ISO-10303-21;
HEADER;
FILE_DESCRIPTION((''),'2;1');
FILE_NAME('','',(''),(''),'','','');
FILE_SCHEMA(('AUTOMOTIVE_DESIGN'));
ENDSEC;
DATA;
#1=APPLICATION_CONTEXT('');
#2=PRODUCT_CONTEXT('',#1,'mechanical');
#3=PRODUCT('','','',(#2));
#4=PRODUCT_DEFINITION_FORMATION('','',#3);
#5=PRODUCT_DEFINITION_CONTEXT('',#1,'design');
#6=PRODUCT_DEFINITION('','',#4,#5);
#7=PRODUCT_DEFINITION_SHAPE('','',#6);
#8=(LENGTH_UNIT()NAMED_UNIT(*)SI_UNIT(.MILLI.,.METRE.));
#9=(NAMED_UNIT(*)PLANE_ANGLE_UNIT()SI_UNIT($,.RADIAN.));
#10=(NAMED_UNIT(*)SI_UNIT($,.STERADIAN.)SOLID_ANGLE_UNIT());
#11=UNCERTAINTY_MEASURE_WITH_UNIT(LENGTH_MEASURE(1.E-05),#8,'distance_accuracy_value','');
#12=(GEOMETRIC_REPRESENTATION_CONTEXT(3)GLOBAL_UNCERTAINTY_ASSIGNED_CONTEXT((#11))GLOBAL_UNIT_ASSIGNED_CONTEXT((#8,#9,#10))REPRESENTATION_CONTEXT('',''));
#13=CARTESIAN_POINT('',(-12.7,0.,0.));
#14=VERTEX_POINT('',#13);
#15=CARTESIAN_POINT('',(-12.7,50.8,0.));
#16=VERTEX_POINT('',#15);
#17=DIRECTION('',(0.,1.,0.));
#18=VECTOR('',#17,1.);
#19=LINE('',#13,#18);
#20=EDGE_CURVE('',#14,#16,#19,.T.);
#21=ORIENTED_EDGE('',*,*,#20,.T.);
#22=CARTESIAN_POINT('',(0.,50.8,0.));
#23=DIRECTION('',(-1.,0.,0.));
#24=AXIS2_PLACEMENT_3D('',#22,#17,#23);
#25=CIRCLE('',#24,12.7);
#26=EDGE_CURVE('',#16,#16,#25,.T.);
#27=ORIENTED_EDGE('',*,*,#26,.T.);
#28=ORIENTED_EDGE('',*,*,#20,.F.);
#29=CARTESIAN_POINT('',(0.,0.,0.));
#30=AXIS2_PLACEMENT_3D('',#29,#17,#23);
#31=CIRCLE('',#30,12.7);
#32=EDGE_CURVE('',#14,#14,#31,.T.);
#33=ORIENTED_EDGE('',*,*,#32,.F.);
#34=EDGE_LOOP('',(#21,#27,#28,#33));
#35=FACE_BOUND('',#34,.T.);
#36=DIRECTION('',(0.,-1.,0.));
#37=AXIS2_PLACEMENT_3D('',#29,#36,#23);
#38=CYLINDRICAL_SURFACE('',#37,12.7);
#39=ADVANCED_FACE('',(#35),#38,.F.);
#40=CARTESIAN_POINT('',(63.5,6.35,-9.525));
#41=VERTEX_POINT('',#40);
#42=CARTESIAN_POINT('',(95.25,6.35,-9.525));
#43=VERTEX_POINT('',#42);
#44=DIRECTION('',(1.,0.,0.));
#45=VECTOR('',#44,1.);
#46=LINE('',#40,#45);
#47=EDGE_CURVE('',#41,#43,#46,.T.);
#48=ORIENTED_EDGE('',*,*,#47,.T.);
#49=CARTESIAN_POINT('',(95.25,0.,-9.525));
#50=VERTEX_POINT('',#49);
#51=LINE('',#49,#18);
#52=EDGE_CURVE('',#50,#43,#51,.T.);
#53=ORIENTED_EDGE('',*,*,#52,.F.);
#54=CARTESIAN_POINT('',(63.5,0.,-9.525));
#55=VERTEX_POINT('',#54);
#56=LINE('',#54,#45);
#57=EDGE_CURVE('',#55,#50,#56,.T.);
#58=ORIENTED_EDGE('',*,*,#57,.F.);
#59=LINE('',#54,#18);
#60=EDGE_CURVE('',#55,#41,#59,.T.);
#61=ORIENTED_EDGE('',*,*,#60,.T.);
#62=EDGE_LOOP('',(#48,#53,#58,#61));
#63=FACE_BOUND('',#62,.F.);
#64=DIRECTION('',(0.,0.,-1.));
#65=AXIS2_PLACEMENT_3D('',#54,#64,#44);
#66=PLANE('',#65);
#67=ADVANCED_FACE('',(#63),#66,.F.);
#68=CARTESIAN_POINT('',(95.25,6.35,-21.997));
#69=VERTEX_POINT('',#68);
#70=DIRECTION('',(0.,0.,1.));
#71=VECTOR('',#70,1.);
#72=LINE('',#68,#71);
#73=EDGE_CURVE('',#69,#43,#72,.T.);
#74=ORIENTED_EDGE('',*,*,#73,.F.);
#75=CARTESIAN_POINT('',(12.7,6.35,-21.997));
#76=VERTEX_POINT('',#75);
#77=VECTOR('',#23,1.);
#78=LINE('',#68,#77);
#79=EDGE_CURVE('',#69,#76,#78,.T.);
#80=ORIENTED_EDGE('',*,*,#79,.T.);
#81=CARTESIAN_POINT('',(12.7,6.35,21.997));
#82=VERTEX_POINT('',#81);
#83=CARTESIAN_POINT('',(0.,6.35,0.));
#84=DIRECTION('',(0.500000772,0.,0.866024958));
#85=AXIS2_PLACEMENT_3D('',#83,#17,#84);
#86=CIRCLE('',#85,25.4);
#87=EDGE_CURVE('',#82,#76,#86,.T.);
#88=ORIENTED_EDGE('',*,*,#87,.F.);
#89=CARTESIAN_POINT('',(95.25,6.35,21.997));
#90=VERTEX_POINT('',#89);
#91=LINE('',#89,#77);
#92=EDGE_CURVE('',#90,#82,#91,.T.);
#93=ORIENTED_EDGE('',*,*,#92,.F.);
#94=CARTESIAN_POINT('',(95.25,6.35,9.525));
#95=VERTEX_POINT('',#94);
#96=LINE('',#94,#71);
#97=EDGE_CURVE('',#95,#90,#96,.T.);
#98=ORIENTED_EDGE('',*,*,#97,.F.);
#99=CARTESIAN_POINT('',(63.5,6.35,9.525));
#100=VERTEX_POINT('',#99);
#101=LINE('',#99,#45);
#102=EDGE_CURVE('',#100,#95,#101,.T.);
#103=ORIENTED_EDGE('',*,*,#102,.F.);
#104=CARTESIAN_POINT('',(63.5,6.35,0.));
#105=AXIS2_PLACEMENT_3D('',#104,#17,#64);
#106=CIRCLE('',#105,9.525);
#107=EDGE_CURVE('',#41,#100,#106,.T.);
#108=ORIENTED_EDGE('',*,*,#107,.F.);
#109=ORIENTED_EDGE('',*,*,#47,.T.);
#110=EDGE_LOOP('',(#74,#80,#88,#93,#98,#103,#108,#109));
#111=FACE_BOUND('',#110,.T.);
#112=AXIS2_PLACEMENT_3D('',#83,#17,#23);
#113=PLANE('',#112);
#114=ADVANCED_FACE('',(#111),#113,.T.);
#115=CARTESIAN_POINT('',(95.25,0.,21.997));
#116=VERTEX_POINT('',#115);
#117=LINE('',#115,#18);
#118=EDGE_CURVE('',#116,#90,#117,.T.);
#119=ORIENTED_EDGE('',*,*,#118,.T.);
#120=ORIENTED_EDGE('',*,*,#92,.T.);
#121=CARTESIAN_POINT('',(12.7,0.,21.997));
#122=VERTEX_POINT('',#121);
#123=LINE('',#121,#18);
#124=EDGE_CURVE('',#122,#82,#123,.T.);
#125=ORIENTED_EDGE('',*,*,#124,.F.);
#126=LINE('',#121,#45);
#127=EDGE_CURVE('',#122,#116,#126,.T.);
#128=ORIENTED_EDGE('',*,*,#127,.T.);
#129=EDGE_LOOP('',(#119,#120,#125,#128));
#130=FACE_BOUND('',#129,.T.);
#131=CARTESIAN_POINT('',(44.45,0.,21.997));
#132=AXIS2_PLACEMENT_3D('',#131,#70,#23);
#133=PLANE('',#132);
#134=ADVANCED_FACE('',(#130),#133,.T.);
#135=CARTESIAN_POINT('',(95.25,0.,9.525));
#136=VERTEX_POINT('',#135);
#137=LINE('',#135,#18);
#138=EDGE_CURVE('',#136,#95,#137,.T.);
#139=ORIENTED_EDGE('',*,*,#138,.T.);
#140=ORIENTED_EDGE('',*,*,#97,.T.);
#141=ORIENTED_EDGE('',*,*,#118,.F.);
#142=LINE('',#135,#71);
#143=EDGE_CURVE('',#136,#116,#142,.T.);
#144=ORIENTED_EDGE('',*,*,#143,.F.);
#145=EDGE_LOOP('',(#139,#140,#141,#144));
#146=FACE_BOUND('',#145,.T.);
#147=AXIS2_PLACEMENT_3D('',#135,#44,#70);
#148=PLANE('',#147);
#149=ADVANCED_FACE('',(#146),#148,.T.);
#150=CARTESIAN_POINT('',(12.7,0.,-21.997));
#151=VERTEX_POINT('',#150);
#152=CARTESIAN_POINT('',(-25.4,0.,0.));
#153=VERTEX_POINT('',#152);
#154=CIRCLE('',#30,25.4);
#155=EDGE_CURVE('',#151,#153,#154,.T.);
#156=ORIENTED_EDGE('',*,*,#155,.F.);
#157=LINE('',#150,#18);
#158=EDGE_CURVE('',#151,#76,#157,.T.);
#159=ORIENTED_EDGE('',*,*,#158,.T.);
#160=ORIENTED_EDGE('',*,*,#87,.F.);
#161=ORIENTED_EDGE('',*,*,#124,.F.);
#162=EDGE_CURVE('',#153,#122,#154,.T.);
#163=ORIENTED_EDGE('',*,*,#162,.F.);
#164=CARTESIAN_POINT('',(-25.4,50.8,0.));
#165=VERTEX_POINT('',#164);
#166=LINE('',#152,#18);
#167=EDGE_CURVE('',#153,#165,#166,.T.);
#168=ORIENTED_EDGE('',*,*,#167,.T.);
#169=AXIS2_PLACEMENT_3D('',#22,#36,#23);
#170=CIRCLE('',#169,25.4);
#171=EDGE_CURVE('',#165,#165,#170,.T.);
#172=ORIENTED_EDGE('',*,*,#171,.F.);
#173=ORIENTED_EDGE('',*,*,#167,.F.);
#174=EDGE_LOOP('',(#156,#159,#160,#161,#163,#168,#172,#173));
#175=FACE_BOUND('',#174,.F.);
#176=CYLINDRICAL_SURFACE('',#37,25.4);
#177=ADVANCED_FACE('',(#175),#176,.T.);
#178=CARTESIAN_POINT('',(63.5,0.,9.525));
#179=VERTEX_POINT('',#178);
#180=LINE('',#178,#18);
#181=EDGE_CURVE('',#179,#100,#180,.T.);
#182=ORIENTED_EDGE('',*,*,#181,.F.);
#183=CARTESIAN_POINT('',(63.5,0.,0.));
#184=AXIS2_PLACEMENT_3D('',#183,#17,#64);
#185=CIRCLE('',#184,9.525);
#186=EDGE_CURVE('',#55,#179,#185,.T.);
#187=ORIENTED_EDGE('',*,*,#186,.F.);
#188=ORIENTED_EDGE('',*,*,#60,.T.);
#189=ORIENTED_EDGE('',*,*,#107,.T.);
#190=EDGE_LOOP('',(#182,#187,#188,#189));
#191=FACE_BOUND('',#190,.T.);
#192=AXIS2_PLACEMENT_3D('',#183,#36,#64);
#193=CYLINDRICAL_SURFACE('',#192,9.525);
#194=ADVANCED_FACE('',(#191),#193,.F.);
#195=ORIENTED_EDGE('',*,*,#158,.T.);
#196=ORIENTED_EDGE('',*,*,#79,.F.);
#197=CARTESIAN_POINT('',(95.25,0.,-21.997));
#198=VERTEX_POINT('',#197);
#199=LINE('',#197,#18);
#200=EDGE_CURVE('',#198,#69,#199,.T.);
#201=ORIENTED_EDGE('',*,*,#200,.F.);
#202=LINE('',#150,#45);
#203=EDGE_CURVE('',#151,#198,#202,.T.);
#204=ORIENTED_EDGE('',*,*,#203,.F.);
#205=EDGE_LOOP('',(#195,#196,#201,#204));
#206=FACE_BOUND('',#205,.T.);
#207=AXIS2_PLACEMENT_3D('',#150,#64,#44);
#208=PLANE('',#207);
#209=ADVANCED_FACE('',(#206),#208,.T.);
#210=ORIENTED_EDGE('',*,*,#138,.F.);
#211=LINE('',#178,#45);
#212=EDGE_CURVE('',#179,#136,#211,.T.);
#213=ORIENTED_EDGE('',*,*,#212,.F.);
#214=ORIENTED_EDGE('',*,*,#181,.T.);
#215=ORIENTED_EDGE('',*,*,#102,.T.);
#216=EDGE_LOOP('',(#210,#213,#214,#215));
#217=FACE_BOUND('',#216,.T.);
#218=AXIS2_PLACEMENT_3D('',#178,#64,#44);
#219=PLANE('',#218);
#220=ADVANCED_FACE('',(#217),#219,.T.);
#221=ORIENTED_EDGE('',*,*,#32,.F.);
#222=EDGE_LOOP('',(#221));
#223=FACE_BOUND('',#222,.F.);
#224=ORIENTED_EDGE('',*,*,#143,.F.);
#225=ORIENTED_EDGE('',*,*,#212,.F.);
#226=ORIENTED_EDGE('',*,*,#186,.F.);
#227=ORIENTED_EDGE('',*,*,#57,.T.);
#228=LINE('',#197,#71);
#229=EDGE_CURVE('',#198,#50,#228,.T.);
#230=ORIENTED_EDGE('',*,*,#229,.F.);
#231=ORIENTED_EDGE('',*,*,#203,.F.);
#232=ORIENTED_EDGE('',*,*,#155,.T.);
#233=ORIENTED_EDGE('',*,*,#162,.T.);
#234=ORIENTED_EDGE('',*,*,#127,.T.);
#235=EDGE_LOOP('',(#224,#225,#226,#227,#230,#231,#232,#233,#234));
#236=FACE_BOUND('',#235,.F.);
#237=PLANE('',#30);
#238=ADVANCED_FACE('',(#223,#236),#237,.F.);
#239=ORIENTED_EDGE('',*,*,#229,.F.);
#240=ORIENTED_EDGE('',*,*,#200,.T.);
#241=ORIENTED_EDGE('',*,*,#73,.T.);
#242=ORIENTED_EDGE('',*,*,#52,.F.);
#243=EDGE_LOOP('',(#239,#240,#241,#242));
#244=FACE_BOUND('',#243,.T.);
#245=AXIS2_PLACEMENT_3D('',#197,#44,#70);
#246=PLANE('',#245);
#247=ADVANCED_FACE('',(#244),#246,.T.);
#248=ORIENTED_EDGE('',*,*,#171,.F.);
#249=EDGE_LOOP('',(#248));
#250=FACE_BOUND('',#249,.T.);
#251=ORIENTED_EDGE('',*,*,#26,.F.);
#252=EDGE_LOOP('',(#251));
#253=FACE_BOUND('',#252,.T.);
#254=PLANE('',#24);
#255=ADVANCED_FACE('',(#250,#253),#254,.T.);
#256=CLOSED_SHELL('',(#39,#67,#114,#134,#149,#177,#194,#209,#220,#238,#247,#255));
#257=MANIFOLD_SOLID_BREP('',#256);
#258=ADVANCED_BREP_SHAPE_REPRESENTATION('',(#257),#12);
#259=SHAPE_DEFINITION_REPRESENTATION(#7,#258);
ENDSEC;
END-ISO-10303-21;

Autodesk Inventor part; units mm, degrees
ref_plane "YZ Plane" through (0, 0, 0) normal (1, 0, 0) x (0, 1, 0)
ref_plane "XZ Plane" through (0, 0, 0) normal (0, 1, 0) x (-1, 0, 0)
ref_plane "XY Plane" through (0, 0, 0) normal (0, 0, 1) x (1, 0, 0)
sketch "Sketch1" plane through (0, 0, 0) normal (0, 1, 0) x (-1, 0, 0)
  circle A0 centre (0, 0) radius 12.7
  circle A1 centre (0, 0) radius 25.4
  line L0 (-12.7, -21.997) -> (-95.25, -21.997)
  line L1 (-95.25, 21.997) -> (-12.7, 21.997)
  arc A2 (-63.5, -9.525) -> (-63.5, 9.525) centre (-63.5, 0) ccw
  line L2 (-63.5, 9.525) -> (-95.25, 9.525)
  line L3 (-78.5703, 0) -> (-63.5, 0) construction
  line L4 (-63.5, -9.525) -> (-95.25, -9.525)
  line L5 (-95.25, -21.997) -> (-95.25, -9.525)
  line L6 (-95.25, 9.525) -> (-95.25, 21.997)
  line L7 (-44.45, 21.997) -> (-44.45, 12.472)
  line L8 (-44.45, 12.472) -> (-22.1271, 12.472)
  line L9 (-52.07, 21.997) -> (-52.07, -21.997)
  dimension "d0" = 25.4
  dimension "d3" = 19.05
  dimension "d4" = 31.75
  dimension "d5" = 12.7
  dimension "d6" = 44.45
  dimension "d7" = 9.525
  dimension "d8" = 7.62
  dimension "d9" = 82.55
  dimension "d10" = 12.7
extrude "Extrusion3" add sketch "Sketch1" along normal blind 50.8 contours A1
extrude "Extrusion4" add sketch "Sketch1" along normal blind 6.35 contours A1 L8 L7 L1 | L0 L9 L1 L7 L8 A1 | L0 L5 L4 A2 L2 L6 L1 L9
properties part number "Distance from Face"
